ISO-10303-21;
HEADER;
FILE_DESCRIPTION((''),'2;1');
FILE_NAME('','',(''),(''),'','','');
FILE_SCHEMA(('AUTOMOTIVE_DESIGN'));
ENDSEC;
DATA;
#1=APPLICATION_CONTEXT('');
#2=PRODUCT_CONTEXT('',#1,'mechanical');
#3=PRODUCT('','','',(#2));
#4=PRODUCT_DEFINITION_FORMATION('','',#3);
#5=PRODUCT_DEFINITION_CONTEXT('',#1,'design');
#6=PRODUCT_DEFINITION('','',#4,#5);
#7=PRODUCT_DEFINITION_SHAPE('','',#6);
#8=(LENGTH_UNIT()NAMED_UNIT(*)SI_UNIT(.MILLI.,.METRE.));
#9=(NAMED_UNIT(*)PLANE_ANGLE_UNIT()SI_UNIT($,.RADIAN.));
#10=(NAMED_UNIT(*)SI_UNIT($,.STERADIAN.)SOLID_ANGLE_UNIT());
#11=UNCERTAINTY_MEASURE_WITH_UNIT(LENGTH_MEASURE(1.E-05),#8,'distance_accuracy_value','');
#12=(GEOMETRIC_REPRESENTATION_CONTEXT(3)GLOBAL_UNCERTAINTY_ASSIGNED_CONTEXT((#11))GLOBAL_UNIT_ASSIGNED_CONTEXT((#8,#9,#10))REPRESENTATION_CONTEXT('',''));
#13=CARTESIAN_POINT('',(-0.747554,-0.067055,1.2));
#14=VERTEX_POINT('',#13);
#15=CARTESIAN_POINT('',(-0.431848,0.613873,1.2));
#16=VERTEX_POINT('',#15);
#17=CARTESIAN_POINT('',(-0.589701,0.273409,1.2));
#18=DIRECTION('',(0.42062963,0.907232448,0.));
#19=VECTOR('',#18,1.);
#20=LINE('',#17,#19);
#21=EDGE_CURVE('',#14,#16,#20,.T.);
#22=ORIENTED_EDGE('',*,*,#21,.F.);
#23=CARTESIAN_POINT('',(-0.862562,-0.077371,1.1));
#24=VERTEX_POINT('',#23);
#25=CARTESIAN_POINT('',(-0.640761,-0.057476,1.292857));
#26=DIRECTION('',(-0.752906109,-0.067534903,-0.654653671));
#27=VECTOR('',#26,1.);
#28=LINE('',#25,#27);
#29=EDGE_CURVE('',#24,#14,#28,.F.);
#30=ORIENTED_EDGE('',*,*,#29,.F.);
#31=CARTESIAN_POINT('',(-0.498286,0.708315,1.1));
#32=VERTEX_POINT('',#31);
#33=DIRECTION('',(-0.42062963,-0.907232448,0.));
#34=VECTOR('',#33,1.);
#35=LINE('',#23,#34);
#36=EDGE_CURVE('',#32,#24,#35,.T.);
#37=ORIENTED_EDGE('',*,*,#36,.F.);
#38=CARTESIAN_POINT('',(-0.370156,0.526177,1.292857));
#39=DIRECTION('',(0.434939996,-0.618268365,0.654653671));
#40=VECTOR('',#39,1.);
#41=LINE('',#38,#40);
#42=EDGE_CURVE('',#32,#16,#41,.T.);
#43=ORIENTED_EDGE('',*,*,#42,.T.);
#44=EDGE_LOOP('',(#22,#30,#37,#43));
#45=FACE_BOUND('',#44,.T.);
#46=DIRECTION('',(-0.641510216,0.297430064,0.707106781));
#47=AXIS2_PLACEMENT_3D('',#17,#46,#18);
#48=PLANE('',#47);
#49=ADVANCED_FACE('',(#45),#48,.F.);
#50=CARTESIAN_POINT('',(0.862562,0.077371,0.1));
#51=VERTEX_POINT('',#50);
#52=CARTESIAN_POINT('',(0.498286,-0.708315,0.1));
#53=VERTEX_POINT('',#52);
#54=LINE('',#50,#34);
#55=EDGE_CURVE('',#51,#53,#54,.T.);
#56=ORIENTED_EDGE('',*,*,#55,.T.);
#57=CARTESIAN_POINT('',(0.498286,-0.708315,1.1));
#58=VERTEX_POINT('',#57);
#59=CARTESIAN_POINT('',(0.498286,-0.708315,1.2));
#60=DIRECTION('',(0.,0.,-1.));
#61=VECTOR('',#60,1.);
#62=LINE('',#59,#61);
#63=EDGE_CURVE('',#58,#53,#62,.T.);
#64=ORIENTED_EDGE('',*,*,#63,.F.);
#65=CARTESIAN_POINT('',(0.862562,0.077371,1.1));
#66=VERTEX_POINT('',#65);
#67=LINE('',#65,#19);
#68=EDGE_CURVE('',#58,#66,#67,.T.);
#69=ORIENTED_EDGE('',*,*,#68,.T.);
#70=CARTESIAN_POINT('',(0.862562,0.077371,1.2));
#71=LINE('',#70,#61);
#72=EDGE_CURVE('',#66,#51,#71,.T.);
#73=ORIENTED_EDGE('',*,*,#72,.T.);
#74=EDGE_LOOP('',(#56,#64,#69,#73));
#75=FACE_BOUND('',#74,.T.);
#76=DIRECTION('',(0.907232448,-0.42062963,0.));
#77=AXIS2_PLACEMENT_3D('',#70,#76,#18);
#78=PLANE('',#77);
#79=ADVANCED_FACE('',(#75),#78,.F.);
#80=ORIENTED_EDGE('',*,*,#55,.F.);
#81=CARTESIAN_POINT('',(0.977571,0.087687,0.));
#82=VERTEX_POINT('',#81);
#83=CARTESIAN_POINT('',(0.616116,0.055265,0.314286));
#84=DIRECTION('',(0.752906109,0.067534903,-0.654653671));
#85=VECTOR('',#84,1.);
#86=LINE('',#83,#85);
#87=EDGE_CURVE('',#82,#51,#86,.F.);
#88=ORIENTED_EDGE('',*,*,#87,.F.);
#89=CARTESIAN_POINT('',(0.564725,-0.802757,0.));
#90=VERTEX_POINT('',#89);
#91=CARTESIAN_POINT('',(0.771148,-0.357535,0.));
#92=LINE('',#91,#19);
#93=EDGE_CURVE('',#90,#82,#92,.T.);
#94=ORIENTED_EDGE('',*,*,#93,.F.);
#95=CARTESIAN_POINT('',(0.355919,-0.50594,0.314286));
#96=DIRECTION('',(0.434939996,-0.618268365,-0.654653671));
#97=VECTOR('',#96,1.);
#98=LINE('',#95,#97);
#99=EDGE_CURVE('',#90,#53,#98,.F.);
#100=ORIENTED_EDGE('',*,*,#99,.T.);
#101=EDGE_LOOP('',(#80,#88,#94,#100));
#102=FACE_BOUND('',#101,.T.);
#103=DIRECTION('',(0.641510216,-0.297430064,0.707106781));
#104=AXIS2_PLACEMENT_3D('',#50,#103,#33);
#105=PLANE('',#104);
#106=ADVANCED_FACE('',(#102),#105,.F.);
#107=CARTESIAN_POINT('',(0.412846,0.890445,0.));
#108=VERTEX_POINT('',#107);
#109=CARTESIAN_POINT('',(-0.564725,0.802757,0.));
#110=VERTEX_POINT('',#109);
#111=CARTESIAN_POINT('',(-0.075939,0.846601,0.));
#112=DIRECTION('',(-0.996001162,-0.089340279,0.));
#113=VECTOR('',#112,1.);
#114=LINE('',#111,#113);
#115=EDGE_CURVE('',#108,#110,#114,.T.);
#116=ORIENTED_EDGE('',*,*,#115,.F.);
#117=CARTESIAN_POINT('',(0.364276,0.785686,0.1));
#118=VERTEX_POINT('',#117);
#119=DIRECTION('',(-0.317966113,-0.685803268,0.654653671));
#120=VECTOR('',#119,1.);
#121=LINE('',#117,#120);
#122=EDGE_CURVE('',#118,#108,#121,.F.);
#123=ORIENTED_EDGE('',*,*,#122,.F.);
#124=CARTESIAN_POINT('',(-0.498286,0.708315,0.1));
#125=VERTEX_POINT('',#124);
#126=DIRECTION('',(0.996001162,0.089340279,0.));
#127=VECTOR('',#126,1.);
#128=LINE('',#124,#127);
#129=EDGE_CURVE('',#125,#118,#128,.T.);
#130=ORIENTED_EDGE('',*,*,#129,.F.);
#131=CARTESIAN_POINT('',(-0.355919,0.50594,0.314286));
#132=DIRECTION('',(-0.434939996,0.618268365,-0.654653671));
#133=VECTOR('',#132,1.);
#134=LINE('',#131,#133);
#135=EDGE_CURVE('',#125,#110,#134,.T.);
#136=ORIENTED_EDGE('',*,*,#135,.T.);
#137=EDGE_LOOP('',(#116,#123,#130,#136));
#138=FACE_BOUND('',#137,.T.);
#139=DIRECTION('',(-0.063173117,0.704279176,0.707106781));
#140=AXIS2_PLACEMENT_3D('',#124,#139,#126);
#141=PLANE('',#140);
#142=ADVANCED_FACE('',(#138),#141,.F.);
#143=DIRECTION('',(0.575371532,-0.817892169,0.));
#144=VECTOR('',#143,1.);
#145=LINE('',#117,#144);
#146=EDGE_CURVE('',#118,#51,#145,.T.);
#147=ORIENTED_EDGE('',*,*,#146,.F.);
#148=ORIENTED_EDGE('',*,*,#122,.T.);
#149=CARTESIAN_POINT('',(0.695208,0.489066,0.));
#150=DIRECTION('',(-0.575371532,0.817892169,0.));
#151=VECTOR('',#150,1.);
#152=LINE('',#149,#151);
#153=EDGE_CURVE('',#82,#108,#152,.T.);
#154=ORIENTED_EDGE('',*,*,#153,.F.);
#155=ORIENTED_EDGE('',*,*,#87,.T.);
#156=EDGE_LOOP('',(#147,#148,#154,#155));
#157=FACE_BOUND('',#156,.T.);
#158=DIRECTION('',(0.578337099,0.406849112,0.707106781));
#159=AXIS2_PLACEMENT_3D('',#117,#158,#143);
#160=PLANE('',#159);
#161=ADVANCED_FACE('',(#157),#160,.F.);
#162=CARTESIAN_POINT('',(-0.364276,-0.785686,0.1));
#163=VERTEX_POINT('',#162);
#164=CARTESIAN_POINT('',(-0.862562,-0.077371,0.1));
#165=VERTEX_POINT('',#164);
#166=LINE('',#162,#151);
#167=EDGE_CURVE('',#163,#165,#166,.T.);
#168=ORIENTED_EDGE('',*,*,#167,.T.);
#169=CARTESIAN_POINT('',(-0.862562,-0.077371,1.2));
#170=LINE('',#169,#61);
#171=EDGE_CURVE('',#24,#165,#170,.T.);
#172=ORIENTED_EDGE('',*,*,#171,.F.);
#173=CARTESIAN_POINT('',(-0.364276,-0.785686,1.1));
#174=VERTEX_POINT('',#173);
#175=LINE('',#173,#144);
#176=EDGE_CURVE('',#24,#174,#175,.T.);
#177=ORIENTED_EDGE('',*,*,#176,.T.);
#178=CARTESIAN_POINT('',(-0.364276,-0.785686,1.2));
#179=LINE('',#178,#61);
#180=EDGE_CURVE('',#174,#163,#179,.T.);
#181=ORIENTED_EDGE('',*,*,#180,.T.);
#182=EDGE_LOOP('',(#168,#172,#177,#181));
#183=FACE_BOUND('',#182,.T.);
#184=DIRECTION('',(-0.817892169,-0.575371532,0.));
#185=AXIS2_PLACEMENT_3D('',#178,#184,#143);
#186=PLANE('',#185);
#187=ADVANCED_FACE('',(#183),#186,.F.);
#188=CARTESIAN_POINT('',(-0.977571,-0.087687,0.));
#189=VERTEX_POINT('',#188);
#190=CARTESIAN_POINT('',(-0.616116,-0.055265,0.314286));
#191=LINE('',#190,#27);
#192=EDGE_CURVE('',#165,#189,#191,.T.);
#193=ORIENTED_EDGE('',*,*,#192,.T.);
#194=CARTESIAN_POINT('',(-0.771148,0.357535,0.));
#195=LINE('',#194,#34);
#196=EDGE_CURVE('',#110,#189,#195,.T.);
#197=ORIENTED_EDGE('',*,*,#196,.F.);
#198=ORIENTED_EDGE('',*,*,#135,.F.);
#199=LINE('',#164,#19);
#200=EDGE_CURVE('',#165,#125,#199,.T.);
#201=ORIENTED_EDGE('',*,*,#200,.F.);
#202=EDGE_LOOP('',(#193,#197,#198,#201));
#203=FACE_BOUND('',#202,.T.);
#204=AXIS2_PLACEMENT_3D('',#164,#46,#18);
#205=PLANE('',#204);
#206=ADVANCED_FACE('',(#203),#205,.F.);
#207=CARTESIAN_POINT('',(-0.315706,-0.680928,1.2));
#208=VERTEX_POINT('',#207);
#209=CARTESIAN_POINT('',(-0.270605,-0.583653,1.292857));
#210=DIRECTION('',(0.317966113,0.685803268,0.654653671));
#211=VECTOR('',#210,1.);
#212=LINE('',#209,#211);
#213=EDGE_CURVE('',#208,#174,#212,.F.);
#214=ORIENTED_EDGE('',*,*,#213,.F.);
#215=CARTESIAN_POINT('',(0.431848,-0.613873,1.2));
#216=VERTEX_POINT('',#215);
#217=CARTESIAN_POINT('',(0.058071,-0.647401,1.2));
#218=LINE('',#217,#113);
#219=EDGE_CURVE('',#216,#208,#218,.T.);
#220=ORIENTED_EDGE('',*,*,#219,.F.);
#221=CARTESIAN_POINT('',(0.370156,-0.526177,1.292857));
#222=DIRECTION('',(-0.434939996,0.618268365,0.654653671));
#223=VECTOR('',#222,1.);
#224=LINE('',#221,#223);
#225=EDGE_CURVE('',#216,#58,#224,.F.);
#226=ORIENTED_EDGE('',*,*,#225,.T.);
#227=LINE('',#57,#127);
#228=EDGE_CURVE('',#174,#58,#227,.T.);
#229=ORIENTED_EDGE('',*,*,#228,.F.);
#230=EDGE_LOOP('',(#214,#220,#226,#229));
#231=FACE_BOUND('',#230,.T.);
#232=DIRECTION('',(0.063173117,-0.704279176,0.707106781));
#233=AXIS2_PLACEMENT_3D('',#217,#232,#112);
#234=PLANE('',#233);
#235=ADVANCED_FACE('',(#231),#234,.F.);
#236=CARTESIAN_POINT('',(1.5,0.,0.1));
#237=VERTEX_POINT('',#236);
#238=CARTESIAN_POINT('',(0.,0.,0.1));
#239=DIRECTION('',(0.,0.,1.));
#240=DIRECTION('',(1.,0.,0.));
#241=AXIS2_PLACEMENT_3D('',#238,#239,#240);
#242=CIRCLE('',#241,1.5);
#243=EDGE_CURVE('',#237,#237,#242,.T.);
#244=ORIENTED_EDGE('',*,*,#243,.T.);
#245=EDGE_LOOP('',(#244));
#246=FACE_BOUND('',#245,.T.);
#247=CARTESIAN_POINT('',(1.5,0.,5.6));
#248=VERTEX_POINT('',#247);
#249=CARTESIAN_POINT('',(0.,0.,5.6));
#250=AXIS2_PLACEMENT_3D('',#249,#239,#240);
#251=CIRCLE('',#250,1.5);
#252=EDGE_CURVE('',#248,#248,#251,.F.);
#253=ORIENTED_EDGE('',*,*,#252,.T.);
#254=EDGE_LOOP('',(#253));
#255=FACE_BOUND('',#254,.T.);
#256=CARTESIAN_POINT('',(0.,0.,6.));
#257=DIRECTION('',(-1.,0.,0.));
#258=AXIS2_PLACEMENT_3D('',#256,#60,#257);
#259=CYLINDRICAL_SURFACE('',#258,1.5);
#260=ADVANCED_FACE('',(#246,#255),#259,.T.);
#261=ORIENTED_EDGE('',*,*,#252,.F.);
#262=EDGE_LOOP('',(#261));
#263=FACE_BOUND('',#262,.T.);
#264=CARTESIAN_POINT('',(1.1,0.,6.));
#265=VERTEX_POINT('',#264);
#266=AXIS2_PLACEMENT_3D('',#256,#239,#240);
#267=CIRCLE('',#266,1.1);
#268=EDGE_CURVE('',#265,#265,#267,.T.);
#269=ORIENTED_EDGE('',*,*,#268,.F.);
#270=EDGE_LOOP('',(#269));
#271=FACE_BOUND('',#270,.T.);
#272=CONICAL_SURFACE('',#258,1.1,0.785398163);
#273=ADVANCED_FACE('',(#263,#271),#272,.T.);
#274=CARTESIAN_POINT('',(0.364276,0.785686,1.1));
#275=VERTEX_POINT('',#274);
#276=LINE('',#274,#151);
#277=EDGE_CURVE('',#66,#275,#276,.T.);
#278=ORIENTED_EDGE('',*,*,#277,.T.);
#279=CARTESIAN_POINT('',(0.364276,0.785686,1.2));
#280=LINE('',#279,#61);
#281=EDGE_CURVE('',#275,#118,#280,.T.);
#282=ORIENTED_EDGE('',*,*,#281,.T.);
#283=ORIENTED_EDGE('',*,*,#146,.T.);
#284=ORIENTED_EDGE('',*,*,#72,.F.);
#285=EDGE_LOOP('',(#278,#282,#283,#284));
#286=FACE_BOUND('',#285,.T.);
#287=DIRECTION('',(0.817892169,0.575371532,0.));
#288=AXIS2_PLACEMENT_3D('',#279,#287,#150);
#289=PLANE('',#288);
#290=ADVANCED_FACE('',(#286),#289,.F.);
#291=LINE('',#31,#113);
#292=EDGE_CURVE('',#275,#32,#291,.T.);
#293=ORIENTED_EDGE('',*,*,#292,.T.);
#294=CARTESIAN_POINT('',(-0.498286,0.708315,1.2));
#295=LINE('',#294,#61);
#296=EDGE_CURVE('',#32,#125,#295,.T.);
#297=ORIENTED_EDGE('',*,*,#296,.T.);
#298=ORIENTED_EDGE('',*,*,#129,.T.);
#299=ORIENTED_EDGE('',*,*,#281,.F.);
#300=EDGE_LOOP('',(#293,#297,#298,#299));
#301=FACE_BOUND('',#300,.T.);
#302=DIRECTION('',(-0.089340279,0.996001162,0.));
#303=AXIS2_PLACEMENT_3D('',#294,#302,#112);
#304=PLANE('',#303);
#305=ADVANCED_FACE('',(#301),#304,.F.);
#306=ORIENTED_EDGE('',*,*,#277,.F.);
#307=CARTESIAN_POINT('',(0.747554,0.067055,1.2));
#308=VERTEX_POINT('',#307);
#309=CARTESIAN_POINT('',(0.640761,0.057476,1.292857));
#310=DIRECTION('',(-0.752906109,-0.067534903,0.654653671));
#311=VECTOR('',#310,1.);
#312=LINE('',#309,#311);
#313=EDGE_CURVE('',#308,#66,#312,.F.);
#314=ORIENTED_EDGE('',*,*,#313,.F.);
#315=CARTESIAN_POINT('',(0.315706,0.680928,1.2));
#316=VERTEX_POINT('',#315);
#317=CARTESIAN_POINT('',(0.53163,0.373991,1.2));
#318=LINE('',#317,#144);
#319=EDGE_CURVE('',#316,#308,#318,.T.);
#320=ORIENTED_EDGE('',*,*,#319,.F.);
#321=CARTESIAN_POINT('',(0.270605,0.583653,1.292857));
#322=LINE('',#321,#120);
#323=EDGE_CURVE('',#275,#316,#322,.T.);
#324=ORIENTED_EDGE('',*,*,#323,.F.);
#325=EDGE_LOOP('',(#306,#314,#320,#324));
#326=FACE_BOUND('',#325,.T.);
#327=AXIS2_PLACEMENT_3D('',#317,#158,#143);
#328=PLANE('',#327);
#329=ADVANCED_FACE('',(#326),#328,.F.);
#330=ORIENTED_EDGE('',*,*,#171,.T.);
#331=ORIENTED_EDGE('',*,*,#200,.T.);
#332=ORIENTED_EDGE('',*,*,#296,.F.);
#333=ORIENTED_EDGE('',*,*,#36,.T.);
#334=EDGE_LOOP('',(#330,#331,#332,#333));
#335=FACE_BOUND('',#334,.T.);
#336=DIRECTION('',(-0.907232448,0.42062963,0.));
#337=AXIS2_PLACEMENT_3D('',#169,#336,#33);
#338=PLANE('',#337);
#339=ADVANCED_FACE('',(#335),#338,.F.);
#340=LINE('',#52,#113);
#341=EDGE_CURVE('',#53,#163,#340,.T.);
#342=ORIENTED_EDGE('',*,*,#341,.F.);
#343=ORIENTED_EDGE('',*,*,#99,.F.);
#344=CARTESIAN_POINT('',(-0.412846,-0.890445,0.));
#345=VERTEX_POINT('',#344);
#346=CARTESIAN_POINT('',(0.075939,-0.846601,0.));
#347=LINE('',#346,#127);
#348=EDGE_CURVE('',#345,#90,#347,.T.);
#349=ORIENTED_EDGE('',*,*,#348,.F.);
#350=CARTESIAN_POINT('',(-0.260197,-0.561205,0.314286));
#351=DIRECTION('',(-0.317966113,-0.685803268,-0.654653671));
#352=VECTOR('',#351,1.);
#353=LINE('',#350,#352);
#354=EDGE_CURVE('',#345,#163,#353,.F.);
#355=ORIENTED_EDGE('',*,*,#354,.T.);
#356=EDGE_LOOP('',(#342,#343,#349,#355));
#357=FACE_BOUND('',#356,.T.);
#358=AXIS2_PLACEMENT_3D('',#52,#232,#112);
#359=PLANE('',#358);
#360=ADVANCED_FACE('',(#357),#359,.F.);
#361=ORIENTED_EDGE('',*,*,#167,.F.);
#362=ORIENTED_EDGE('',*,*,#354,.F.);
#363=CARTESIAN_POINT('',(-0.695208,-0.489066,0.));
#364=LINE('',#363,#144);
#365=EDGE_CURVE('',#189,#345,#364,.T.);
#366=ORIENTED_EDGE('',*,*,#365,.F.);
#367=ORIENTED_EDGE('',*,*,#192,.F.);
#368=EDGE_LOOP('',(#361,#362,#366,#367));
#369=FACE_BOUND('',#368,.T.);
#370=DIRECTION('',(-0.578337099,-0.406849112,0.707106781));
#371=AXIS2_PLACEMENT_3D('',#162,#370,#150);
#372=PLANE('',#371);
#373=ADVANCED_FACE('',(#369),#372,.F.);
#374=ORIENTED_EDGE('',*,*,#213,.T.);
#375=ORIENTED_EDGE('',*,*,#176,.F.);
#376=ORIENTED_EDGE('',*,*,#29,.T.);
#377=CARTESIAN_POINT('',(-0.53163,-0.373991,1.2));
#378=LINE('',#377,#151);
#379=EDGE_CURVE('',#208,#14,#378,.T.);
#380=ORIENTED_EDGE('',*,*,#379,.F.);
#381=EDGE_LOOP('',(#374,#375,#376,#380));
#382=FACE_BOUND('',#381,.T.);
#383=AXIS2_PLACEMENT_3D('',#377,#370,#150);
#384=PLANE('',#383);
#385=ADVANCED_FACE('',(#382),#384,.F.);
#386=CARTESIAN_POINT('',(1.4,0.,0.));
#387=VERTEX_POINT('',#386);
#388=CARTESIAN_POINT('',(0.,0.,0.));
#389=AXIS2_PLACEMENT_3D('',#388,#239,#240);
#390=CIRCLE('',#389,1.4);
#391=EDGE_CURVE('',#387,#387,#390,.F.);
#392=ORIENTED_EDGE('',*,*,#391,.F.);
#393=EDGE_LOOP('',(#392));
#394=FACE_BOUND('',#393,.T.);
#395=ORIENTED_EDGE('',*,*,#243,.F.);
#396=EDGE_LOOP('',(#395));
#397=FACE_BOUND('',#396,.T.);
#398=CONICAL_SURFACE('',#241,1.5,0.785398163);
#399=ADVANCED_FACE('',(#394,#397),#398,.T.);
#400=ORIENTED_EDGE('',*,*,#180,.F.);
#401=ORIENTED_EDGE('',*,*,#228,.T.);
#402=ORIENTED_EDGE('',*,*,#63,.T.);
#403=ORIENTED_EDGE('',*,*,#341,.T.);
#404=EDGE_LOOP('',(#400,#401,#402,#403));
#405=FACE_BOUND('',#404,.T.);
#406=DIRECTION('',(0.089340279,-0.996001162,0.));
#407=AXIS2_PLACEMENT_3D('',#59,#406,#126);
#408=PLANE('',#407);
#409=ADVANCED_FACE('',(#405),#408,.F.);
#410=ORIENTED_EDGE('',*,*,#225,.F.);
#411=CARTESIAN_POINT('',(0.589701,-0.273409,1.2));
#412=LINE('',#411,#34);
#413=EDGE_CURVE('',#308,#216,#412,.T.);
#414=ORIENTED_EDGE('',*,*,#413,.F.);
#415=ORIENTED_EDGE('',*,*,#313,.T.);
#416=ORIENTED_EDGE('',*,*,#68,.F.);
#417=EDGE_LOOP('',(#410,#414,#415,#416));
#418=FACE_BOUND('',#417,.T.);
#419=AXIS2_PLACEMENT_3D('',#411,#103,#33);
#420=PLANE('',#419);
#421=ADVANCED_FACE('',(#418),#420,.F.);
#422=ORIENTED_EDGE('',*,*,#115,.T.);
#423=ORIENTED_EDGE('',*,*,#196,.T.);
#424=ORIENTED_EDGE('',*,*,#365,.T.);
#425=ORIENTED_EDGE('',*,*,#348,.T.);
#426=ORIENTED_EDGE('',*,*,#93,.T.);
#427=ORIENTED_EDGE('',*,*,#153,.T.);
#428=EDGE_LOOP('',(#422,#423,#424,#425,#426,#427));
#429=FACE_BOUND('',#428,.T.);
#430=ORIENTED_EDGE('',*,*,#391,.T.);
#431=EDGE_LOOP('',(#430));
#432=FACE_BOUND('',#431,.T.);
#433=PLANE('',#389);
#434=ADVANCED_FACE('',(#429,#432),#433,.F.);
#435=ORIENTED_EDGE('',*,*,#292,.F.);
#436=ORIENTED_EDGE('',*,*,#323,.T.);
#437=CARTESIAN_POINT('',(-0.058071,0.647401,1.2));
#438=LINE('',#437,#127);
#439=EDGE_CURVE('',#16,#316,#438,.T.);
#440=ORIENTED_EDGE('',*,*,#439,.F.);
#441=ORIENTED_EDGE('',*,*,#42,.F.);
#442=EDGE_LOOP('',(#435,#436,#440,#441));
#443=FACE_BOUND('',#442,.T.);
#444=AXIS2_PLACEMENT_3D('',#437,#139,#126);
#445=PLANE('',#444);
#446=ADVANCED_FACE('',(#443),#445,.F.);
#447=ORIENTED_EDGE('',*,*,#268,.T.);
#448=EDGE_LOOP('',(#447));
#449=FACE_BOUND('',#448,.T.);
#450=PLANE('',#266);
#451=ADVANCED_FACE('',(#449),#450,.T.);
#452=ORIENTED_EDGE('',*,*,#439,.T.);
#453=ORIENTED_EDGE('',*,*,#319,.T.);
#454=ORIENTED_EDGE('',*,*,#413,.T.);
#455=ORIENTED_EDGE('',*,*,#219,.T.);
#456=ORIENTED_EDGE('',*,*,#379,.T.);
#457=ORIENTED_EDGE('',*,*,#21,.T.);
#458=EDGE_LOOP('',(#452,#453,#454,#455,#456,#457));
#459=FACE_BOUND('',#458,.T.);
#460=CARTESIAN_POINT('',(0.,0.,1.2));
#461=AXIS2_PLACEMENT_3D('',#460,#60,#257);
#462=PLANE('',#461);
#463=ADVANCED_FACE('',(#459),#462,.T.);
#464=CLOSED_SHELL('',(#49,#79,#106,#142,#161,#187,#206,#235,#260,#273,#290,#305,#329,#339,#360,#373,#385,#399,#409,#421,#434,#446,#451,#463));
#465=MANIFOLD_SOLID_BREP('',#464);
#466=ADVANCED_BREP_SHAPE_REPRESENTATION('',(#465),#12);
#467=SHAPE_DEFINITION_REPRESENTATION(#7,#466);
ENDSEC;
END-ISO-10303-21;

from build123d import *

# Parameters (mm, degrees)
SKETCH_1_R          = 1.5
EXTRUDE_1_DEPTH     = 6
CHAMFER_1_SIZE      = 0.4
CUT_EXTRUDE_1_DEPTH = 1.2
CHAMFER_2_SIZE      = 0.1


with BuildPart() as part:
    # 草图1 → 凸台-拉伸1 (new body)
    with BuildSketch(Plane.XY):
        Circle(SKETCH_1_R)
    extrude(amount=EXTRUDE_1_DEPTH)

    # 倒角1
    chamfer_1_edges = [part.edges().sort_by_distance(p)[0] for p in [
        (-1.5, 0, 6),
    ]]
    chamfer(chamfer_1_edges, length=CHAMFER_1_SIZE)

    # 草图2 → 切除-拉伸1 (cut)
    with BuildSketch(Plane(origin=(0, 0, 0), x_dir=(-1, 0, 0), z_dir=(0, 0, -1))):
        Polygon((0.498286364, 0.708315396), (-0.364275945, 0.785686347), (-0.862562308, 0.077370951), (-0.498286364, -0.708315396), (0.364275945, -0.785686347), (0.862562308, -0.077370951), align=None)
    extrude(amount=-CUT_EXTRUDE_1_DEPTH, mode=Mode.SUBTRACT)

    # 倒角2
    chamfer_2_edges = [part.edges().sort_by_distance(p)[0] for p in [
        (-0.680424336, 0.315472222, 1.2),
        (-0.613419127, -0.431528649, 1.2),
        (0.067005209, -0.747000871, 1.2),
        (0.680424336, -0.315472222, 1.2),
        (0.613419127, 0.431528649, 1.2),
        (-0.067005209, 0.747000871, 1.2),
        (-0.680424336, 0.315472222, 0),
        (-0.067005209, 0.747000871, 0),
        (0.613419127, 0.431528649, 0),
        (0.680424336, -0.315472222, 0),
        (0.067005209, -0.747000871, 0),
        (-0.613419127, -0.431528649, 0),
        (-1.5, 0, 0),
    ]]
    chamfer(chamfer_2_edges, length=CHAMFER_2_SIZE)


solid = part.part
